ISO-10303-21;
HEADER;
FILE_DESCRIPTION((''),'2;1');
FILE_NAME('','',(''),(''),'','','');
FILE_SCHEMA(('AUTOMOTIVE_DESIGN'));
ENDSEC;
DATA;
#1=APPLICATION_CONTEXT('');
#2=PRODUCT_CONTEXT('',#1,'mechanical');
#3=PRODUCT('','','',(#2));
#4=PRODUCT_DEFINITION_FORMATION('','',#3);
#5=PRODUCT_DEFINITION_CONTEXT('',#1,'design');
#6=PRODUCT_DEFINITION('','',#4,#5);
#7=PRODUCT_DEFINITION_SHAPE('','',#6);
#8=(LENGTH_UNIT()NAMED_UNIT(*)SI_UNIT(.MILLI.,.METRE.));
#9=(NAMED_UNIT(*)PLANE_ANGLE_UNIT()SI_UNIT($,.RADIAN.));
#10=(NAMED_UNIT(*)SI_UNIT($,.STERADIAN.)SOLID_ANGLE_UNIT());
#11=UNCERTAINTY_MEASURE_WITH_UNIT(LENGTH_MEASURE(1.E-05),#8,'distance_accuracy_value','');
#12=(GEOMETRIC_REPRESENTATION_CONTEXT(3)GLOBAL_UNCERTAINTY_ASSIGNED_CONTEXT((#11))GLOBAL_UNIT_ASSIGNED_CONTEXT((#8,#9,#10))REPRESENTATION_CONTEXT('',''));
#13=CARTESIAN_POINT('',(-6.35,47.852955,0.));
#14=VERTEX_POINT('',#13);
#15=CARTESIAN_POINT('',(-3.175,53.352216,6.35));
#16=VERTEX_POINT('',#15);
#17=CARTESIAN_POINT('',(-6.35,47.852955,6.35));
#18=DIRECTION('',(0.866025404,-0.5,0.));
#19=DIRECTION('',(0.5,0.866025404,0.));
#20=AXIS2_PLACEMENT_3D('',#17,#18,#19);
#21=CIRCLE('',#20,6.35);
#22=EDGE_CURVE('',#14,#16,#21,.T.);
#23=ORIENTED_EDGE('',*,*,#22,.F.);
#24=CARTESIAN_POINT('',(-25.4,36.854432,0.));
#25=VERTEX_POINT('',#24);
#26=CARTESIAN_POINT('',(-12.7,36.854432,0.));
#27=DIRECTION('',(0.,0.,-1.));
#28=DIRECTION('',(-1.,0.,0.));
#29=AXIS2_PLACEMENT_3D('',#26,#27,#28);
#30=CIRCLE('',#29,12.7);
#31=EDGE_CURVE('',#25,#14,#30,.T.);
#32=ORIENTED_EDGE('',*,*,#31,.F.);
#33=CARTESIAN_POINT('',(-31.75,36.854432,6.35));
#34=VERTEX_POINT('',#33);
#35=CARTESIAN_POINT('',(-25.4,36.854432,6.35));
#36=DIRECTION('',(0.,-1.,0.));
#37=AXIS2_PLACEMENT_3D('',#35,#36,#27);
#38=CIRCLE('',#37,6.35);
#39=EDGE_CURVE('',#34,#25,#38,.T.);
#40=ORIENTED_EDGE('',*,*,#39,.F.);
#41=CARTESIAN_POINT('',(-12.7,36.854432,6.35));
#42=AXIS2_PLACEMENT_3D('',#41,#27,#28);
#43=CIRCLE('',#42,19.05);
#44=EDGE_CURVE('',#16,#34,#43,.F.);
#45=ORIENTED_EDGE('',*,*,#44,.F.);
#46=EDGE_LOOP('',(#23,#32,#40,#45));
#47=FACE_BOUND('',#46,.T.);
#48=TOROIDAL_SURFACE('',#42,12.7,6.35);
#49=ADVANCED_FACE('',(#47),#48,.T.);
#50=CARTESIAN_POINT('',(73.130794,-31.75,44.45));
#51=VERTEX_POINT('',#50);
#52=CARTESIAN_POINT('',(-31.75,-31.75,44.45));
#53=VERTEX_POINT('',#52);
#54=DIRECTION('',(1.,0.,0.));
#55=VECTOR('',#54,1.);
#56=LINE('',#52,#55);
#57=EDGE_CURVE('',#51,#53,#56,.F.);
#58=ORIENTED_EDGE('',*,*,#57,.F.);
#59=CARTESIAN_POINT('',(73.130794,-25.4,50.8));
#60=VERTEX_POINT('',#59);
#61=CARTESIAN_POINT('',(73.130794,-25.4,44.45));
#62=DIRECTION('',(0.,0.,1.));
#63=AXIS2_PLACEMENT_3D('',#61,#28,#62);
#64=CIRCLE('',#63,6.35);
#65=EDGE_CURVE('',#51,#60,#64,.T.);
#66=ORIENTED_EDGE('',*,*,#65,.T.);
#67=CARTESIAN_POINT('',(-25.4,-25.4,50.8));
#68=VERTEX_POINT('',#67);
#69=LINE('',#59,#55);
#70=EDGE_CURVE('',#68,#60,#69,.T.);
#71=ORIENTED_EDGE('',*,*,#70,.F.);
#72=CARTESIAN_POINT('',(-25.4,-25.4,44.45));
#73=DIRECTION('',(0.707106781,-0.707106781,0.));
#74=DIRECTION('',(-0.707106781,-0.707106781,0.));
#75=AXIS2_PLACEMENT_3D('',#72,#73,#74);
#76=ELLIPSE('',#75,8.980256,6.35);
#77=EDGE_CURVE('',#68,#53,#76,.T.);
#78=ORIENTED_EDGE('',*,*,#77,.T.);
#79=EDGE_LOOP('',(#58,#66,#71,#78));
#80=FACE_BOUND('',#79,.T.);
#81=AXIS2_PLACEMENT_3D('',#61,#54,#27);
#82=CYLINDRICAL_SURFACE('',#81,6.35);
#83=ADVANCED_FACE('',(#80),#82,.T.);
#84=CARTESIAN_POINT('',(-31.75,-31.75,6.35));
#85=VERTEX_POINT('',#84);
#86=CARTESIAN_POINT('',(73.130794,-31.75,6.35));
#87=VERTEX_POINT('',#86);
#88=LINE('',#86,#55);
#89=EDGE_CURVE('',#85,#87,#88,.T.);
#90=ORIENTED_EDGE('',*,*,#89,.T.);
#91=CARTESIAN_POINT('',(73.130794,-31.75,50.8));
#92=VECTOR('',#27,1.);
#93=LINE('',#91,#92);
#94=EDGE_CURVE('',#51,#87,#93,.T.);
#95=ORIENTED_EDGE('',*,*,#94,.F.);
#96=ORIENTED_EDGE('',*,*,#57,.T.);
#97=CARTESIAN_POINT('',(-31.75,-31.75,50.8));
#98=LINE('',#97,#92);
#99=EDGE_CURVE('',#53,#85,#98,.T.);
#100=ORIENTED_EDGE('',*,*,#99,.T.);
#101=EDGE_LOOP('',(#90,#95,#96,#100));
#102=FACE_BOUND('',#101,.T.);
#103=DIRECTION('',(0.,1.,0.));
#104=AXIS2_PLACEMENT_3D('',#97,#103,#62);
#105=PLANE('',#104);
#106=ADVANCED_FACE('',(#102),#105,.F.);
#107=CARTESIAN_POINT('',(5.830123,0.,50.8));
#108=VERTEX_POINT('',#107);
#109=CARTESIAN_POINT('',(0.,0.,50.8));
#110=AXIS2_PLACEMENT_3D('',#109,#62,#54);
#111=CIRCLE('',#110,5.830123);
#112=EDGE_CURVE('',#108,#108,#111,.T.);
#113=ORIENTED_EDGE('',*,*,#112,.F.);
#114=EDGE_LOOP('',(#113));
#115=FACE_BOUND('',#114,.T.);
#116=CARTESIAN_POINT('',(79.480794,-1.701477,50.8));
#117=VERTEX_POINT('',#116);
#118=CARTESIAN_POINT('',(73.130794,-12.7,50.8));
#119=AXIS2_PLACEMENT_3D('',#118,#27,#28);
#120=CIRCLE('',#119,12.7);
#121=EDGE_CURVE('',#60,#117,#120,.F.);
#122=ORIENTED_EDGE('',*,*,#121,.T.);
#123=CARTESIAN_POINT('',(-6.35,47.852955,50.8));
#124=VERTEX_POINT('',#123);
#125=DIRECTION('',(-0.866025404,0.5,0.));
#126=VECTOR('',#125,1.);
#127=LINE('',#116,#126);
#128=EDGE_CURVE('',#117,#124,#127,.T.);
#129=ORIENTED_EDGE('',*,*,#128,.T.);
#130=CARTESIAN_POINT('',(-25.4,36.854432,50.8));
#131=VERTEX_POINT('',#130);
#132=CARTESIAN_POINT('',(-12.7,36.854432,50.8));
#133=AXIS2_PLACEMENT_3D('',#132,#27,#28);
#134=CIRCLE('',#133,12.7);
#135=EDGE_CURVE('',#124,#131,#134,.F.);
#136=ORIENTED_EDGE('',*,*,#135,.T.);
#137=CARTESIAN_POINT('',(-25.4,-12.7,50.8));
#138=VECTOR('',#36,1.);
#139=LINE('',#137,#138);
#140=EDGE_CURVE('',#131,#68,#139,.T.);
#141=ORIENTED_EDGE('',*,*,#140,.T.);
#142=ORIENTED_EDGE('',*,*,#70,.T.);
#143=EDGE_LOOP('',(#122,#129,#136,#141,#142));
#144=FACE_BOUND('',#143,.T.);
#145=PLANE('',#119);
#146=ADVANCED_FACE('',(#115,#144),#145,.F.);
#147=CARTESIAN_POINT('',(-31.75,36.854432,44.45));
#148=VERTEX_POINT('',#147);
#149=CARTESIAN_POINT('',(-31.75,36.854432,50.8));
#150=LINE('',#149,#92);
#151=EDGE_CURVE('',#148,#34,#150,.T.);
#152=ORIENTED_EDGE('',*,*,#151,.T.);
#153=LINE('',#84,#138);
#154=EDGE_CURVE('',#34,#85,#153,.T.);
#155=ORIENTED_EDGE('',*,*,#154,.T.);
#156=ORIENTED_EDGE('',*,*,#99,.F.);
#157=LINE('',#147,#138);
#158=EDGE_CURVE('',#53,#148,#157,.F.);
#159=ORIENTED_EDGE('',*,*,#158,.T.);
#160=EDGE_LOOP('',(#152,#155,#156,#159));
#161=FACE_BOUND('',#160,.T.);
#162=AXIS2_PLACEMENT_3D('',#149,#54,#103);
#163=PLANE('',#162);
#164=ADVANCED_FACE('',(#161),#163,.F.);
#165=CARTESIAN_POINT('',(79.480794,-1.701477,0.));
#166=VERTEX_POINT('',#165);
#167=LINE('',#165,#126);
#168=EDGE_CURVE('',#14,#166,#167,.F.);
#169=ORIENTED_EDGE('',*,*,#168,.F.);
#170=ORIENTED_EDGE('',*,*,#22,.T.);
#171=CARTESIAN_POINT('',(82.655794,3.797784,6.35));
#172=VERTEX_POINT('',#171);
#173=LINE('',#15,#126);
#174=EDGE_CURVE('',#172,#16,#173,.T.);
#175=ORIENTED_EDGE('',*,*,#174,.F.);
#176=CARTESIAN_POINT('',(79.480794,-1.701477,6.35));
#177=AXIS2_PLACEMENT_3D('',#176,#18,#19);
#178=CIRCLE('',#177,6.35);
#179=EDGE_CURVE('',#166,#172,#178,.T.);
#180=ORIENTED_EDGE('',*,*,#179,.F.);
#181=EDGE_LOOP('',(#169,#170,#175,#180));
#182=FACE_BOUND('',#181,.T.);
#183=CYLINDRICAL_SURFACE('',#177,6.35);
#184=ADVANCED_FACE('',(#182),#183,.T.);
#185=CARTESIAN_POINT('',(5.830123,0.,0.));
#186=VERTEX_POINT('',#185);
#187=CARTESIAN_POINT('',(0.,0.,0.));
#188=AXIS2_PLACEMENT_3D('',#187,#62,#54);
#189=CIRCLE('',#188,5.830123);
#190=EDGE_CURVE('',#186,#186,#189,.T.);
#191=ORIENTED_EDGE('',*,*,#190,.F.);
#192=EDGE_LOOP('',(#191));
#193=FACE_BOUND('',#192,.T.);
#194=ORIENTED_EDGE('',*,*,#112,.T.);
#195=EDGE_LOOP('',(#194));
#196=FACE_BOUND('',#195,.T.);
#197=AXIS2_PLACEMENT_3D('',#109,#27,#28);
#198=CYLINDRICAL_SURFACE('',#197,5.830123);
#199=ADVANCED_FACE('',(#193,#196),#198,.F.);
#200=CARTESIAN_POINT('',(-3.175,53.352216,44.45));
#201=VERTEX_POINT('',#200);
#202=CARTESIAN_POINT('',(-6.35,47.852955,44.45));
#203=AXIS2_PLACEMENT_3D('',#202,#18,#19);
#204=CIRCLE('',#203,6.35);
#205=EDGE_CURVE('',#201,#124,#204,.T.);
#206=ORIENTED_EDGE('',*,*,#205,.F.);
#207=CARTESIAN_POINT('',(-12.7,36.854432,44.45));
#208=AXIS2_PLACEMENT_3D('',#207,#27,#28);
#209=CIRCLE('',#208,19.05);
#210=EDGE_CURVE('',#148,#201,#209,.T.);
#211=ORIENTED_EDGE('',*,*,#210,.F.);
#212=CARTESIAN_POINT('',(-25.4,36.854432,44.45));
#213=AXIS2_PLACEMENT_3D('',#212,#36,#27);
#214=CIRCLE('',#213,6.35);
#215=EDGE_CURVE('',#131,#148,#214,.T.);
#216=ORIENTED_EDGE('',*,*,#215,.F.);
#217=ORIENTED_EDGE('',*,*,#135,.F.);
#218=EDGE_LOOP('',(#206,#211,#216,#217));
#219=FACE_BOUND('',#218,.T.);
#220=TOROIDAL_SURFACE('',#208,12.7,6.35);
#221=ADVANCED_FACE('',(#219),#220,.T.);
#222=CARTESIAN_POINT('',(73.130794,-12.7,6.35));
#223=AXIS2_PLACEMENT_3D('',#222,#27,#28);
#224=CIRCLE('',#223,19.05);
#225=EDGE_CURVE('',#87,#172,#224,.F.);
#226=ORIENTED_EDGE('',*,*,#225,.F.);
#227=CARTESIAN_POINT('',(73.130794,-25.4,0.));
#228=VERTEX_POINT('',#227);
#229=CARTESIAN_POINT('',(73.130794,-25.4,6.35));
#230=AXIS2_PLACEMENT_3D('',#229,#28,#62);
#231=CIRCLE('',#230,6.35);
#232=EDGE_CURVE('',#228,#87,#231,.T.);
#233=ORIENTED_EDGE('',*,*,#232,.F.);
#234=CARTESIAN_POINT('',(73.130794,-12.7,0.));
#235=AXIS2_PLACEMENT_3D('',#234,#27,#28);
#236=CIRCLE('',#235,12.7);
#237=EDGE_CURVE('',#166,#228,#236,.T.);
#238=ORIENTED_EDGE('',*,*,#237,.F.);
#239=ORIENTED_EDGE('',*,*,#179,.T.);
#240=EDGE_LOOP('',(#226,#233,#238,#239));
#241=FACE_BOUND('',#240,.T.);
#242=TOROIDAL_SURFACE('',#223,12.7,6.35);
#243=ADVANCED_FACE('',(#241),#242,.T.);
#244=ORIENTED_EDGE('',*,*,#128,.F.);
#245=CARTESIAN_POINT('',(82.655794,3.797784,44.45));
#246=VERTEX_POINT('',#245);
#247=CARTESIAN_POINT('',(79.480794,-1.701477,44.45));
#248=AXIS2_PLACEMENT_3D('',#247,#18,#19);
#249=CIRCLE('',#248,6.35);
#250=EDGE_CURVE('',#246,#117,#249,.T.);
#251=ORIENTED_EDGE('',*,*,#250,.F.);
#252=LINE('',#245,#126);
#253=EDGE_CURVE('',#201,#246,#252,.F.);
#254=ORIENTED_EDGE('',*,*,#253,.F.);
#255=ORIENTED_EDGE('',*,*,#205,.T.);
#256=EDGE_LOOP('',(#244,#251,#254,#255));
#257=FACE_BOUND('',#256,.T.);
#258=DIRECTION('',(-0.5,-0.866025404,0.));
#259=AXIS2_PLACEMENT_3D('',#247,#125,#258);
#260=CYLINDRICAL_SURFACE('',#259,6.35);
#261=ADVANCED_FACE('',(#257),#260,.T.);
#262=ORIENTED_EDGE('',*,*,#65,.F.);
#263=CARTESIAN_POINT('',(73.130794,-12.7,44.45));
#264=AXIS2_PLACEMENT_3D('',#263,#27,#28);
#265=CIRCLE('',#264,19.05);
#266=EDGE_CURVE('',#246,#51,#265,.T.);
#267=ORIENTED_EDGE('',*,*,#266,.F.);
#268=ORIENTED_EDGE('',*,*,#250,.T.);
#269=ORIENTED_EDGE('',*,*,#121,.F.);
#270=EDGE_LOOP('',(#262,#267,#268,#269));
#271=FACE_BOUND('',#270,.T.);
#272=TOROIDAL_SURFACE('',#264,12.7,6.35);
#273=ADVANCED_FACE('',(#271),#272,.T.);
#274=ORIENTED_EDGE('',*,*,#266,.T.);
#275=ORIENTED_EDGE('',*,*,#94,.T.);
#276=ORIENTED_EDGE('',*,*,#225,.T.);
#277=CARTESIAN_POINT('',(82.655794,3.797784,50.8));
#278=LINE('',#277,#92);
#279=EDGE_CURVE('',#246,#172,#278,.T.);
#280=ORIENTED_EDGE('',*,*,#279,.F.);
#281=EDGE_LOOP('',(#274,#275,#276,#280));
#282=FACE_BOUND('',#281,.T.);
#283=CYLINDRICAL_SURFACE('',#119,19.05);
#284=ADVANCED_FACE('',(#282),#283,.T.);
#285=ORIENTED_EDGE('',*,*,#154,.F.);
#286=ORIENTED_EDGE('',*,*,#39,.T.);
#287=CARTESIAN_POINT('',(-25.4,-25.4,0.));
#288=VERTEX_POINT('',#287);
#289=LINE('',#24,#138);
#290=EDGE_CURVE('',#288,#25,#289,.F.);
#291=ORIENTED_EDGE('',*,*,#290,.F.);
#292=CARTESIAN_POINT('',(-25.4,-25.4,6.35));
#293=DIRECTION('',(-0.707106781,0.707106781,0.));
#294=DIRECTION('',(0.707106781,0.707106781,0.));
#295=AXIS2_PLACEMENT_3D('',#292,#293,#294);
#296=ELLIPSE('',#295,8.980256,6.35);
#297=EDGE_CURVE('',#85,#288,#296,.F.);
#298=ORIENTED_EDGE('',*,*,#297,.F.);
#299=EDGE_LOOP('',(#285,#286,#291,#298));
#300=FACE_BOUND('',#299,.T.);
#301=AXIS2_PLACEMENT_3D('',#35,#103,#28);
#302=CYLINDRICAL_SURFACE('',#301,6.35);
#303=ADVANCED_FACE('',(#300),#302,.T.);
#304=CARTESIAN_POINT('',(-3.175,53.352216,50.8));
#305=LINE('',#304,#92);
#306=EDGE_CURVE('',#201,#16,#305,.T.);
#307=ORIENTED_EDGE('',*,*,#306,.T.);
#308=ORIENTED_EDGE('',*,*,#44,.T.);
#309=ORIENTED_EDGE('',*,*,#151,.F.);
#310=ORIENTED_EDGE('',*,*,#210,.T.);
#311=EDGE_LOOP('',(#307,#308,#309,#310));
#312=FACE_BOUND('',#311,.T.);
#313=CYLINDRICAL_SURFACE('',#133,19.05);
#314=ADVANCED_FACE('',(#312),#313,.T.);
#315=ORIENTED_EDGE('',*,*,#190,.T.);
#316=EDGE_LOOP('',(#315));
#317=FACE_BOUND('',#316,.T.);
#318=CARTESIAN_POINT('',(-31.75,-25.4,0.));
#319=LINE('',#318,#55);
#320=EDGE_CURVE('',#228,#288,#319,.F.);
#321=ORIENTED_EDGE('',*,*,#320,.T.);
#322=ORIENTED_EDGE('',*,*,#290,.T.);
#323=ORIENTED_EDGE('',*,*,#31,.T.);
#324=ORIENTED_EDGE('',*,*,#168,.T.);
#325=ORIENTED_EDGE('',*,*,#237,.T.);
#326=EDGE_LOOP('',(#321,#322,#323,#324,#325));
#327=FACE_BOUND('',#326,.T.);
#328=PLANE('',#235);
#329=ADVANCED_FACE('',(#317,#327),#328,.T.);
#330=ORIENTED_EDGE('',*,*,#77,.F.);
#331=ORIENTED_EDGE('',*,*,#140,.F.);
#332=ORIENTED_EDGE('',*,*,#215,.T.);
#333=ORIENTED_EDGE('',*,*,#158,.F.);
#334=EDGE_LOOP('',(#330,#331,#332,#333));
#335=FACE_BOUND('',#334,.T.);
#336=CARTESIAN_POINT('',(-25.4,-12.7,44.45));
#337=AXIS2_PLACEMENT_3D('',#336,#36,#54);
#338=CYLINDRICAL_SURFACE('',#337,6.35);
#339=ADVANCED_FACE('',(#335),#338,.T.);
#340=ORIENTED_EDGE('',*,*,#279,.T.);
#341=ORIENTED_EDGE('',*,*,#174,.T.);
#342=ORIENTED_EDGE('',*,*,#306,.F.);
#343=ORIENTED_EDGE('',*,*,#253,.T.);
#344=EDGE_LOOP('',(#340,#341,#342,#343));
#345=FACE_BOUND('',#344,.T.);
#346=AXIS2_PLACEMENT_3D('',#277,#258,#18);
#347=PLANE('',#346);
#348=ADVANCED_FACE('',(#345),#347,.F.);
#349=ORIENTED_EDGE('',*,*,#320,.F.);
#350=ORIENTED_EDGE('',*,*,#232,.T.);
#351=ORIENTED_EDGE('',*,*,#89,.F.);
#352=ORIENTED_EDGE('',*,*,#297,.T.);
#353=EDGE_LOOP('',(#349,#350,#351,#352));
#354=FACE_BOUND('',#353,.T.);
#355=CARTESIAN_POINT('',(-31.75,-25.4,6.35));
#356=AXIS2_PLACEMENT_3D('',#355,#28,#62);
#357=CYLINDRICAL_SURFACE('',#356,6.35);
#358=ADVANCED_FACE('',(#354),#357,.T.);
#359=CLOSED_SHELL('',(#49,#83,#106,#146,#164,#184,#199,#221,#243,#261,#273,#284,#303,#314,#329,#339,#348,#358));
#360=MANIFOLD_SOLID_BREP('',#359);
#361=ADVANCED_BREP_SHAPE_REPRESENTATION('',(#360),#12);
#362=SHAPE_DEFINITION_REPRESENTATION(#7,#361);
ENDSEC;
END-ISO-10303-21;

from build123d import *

# Parameters (mm, degrees)
SKETCH1_R           = 5.830122714
BOSS_EXTRUDE1_DEPTH = 50.8
FILLET1_R           = 6.35


with BuildPart() as part:
    # Sketch1 → Boss-Extrude1 (new body)
    with BuildSketch(Plane.XY):
        with BuildLine():
            Line((-31.75, -31.75), (73.130794165, -31.75))
            ThreePointArc((73.130794165, -31.75), (91.531681156, -17.630502809), (82.655794165, 3.797783942))
            Line((82.655794165, 3.797783942), (-3.175, 53.352216058))
            ThreePointArc((-3.175, 53.352216058), (-22.225, 53.352216058), (-31.75, 36.854432116))
            Line((-31.75, 36.854432116), (-31.75, -31.75))
        make_face()
        Circle(SKETCH1_R, mode=Mode.SUBTRACT)
    extrude(amount=BOSS_EXTRUDE1_DEPTH)

    # Fillet1
    fillet1_edges = [part.edges().sort_by_distance(p)[0] for p in [
        (91.531681156, -17.630502809, 50.8),
        (39.740397082, 28.575, 50.8),
        (-22.225, 53.352216058, 50.8),
        (-31.75, 2.552216058, 50.8),
        (-22.225, 53.352216058, 0),
        (39.740397082, 28.575, 0),
        (91.531681156, -17.630502809, 0),
        (20.690397082, -31.75, 0),
        (-31.75, 2.552216058, 0),
        (20.690397082, -31.75, 50.8),
    ]]
    fillet(fillet1_edges, radius=FILLET1_R)


solid = part.part
